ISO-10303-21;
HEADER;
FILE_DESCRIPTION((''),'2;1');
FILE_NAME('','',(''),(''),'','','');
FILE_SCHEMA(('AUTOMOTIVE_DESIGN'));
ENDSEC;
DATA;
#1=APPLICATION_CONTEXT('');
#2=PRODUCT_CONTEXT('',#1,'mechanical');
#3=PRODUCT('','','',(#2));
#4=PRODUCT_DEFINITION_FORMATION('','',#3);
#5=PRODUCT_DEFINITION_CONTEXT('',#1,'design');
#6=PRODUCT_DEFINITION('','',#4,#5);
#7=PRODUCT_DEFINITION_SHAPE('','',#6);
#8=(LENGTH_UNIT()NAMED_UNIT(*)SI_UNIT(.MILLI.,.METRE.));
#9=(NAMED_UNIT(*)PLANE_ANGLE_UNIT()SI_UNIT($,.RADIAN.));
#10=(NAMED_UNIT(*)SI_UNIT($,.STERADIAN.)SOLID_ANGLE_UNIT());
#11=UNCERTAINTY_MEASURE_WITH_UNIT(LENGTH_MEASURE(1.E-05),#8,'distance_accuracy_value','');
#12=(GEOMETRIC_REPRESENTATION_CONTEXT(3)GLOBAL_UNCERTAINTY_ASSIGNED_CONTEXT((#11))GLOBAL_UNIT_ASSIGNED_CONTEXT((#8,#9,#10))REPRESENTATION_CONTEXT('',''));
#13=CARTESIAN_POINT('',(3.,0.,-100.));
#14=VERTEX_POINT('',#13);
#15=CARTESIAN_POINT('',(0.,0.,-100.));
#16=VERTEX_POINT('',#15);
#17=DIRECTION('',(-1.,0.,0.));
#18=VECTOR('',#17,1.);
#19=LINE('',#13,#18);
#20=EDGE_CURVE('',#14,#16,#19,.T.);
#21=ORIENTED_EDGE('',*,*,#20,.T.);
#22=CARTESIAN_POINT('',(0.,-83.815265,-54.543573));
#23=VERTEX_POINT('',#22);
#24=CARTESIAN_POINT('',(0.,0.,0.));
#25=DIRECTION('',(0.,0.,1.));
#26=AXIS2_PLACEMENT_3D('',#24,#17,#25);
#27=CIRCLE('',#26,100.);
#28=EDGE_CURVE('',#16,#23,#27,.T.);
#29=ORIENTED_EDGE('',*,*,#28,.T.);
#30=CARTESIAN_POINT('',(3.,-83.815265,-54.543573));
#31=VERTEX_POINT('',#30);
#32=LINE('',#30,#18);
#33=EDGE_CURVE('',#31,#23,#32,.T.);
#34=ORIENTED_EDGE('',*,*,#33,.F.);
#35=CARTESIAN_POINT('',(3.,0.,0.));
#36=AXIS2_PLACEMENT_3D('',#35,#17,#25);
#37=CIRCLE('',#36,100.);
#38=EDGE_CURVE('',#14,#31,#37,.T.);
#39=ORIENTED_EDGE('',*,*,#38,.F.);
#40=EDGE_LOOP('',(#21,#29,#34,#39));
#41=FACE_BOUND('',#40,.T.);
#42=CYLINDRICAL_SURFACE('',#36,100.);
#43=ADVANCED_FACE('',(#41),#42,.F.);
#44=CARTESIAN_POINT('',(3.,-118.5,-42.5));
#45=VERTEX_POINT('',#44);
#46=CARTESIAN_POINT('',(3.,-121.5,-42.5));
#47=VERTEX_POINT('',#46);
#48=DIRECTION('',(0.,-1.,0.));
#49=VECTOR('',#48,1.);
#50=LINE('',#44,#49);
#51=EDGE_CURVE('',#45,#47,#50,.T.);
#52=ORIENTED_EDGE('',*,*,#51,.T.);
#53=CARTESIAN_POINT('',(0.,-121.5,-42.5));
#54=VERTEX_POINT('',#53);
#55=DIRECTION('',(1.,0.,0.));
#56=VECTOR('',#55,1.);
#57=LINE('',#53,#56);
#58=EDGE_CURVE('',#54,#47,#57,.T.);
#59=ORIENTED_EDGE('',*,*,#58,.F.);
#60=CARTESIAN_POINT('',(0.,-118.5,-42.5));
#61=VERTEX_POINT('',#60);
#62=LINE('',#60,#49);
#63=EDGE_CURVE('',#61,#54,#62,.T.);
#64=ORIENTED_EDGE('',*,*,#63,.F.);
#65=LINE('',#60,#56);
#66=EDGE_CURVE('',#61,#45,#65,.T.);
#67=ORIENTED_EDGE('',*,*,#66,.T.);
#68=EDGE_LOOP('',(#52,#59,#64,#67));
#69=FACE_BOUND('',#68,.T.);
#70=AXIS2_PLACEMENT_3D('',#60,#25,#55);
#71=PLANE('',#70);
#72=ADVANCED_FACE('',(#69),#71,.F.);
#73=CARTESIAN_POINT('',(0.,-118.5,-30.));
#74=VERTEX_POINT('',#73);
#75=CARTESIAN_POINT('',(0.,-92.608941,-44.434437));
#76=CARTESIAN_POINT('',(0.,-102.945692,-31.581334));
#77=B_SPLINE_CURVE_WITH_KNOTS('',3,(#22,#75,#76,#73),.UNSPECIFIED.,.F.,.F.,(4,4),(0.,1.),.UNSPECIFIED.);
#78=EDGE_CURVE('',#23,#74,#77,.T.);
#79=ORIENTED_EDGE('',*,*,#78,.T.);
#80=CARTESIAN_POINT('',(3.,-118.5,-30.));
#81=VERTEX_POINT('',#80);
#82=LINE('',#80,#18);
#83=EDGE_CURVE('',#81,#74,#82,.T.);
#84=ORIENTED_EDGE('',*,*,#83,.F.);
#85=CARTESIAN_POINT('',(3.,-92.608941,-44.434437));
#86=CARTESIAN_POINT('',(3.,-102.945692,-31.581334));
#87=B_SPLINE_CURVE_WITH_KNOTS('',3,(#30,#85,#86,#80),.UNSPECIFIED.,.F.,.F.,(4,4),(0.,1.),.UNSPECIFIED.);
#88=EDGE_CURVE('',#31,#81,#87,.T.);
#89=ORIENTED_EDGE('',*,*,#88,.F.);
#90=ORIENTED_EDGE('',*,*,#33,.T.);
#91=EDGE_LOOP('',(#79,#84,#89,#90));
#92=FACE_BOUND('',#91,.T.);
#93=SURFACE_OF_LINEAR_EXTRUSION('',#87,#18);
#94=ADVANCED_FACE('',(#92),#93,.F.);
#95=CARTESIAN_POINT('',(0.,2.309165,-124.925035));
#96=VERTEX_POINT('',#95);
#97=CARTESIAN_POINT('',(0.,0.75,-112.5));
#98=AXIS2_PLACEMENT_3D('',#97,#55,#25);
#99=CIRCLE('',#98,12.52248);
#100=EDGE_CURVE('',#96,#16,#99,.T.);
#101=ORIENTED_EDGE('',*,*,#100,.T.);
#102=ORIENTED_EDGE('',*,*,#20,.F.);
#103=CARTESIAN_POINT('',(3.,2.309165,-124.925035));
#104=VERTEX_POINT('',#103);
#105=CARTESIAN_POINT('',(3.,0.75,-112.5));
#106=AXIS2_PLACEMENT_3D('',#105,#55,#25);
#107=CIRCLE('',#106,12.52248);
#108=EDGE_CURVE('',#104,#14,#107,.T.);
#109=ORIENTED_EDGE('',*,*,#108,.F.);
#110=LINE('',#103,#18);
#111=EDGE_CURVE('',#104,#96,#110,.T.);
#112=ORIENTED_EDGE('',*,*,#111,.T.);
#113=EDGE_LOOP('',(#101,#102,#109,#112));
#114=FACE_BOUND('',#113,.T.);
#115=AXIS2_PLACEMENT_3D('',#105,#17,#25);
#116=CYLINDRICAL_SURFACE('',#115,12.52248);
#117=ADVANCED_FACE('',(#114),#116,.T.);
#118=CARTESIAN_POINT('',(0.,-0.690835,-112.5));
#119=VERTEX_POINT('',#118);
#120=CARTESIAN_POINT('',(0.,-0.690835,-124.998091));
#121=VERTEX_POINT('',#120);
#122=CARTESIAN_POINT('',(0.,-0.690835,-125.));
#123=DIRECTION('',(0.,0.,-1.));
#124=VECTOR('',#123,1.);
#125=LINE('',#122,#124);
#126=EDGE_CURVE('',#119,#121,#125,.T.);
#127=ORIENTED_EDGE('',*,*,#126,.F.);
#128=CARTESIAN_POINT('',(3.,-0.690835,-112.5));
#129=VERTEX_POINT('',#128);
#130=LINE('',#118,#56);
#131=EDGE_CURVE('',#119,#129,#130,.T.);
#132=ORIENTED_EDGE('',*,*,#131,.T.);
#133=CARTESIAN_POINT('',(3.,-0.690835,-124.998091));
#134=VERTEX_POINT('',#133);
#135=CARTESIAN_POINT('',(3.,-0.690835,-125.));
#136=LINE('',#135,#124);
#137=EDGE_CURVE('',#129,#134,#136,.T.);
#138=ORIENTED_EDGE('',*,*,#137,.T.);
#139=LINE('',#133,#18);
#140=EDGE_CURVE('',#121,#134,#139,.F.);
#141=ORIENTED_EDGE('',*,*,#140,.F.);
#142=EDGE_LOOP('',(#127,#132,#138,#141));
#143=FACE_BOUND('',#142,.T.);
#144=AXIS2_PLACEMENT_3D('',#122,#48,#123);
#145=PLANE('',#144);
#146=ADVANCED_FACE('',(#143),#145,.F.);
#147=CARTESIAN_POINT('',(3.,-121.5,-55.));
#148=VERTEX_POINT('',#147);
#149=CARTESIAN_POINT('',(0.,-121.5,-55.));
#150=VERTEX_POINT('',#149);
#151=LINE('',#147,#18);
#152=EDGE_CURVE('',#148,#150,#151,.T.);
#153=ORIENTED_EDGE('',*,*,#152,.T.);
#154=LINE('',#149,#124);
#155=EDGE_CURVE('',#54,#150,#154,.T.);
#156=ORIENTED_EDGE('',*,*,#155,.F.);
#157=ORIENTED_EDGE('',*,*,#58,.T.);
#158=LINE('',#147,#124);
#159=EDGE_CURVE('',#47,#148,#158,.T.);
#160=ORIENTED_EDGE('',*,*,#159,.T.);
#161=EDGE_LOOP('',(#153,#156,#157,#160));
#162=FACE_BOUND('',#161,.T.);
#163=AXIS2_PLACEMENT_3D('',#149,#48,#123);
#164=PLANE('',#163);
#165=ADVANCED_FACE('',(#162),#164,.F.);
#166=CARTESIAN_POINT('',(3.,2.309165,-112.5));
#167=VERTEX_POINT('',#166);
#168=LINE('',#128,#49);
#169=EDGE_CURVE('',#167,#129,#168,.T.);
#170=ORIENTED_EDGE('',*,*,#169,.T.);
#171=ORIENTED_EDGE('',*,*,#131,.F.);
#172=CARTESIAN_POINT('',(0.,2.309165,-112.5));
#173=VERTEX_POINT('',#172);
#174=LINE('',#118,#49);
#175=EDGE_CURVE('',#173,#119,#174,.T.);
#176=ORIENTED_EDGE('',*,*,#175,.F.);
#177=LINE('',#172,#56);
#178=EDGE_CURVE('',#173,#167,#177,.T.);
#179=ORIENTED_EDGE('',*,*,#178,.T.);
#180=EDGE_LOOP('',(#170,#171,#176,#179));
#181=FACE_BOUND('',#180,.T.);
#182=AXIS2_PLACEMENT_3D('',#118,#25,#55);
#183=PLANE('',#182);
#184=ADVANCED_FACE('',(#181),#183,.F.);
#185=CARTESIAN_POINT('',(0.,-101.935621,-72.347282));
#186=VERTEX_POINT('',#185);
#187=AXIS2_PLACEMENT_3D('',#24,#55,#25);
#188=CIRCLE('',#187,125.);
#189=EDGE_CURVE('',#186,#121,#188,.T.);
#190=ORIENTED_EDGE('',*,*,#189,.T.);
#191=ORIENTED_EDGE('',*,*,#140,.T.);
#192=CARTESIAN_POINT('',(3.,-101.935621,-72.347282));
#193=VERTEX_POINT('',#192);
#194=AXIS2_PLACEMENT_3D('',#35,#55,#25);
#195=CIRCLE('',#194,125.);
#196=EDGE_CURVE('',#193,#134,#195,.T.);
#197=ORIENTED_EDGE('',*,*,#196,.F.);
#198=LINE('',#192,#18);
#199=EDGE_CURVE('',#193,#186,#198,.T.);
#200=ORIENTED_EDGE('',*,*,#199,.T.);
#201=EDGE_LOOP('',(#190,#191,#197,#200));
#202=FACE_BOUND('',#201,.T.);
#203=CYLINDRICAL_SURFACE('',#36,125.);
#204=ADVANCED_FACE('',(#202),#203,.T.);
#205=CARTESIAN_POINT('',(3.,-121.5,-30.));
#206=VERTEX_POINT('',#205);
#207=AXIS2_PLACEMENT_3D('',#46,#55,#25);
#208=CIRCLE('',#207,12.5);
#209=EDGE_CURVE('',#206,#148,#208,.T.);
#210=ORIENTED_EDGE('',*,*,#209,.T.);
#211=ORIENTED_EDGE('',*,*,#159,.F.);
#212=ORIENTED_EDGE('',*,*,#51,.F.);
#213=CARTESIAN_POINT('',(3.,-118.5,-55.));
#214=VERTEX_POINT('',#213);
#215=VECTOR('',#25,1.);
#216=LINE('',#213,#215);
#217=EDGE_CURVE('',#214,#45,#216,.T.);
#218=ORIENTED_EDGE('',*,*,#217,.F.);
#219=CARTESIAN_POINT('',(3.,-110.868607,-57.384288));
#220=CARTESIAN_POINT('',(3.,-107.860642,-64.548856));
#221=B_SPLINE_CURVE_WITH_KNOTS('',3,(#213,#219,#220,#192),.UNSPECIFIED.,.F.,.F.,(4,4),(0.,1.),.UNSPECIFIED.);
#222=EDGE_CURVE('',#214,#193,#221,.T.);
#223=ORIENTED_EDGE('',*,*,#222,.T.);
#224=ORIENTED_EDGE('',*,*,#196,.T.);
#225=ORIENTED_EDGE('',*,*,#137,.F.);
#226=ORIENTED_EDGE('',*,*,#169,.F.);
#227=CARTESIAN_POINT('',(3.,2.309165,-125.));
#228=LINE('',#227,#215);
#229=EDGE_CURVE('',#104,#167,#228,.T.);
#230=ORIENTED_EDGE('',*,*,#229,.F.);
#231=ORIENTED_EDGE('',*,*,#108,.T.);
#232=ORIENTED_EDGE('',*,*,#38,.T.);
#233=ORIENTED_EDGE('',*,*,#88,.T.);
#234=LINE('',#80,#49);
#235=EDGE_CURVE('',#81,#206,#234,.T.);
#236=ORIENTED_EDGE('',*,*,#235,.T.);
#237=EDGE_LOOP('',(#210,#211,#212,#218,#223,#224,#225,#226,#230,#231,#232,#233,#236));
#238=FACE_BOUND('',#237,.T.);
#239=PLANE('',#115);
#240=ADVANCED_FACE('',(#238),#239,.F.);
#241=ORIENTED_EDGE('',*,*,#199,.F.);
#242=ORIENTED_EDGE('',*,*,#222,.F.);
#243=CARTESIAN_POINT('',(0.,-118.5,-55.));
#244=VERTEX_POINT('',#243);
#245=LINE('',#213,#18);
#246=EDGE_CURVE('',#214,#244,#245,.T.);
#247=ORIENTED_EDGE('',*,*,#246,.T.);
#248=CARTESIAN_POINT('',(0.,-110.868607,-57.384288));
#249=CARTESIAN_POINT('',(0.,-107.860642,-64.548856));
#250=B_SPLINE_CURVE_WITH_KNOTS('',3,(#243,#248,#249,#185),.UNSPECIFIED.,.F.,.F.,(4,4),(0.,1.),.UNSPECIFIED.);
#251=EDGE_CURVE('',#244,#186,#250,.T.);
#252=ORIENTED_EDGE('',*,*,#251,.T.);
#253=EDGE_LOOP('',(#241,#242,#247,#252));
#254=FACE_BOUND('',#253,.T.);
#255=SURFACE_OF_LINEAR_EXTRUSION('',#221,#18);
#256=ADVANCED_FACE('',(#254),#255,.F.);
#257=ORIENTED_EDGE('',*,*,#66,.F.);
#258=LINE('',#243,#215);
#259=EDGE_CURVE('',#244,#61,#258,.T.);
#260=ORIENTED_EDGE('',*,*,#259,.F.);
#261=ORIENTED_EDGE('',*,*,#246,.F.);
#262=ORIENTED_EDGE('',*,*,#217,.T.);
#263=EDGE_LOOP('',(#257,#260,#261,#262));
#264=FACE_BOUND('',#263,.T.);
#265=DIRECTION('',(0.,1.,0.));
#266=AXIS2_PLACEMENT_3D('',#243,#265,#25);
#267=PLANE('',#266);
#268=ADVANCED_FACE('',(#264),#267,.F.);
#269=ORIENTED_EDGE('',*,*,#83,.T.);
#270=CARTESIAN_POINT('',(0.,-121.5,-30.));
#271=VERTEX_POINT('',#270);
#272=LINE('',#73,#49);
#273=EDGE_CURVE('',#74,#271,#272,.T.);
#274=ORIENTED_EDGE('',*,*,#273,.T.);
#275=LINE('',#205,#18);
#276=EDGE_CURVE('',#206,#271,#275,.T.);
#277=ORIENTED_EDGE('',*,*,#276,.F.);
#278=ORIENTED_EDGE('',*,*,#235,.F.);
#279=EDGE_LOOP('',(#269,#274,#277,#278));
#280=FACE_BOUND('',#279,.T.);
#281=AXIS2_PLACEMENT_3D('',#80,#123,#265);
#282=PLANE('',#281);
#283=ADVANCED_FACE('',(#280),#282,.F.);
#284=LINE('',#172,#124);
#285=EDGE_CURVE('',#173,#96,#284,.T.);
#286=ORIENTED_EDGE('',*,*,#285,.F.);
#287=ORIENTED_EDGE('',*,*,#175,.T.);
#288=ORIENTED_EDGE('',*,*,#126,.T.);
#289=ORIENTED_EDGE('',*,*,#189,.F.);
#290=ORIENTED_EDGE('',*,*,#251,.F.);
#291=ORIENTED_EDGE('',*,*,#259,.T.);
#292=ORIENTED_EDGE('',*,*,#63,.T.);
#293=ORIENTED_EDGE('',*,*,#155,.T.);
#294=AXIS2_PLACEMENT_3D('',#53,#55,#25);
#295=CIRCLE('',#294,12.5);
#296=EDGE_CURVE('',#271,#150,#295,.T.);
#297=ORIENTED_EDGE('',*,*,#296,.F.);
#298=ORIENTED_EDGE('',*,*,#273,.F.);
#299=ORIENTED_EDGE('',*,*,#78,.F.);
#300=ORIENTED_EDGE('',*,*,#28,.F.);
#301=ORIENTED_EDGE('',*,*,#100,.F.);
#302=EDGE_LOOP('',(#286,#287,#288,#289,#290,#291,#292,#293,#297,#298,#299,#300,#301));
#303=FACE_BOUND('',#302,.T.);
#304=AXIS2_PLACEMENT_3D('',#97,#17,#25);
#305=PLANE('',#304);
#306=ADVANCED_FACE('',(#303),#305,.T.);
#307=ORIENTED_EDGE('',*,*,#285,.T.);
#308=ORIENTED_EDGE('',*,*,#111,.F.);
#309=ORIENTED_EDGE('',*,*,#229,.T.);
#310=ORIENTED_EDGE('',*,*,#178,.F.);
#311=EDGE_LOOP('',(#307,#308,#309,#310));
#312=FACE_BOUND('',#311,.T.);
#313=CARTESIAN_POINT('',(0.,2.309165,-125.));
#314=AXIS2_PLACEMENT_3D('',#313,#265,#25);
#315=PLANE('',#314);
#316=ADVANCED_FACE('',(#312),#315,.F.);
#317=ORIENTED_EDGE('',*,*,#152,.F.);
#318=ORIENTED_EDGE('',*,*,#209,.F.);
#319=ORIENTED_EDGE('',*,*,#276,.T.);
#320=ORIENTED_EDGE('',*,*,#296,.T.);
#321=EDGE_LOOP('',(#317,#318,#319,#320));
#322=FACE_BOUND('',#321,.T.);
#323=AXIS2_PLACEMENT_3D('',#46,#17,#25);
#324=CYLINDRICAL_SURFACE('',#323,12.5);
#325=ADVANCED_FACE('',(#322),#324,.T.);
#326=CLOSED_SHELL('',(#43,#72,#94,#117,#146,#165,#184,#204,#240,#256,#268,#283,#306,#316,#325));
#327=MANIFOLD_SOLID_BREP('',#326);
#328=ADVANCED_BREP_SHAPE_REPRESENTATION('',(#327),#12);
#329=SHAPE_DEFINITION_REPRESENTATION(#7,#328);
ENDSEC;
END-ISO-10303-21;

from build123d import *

# Parameters (mm, degrees)
BOSS_EXTRUDE2_DEPTH = 3
SKETCH2_W           = 12.5
SKETCH2_H           = 3
CUT_EXTRUDE1_DEPTH  = 3


with BuildPart() as part:
    # Sketch1 → Boss-Extrude2 (new body)
    with BuildSketch(Plane(origin=(0, 0, 0), x_dir=(0, 0, -1), z_dir=(1, 0, 0))):
        with BuildLine():
            Line((125, 0), (125, 1.5))
            ThreePointArc((125, 1.5), (111.75, 13.25), (100, 0))
            ThreePointArc((100, 0), (87.904372108, -47.674116292), (54.543572715, -83.81526517))
            add(Edge.make_bspline(
                [(54.543572715, -83.81526517), (44.434436781, -92.608940988), (31.581333534, -102.945692353), (30, -118.5)],
                knots=[0, 0, 0, 0, 1, 1, 1, 1], degree=3))
            Line((30, -118.5), (30, -121.5))
            ThreePointArc((30, -121.5), (42.5, -134), (55, -121.5))
            Line((55, -121.5), (55, -118.5))
            add(Edge.make_bspline(
                [(55, -118.5), (57.384287812, -110.868607185), (64.548856078, -107.860641761), (72.347282186, -101.935620665)],
                knots=[0, 0, 0, 0, 1, 1, 1, 1], degree=3))
            ThreePointArc((72.347282186, -101.935620665), (111.059466668, -57.365450084), (125, 0))
        make_face()
    extrude(amount=BOSS_EXTRUDE2_DEPTH)

    # Sketch2 → Cut-Extrude1 (cut)
    with BuildSketch(Plane(origin=(3, 0, 0), x_dir=(0, 0, -1), z_dir=(1, 0, 0))):
        with Locations((118.75, 0.8091646)):
            Rectangle(SKETCH2_W, SKETCH2_H)
        with Locations((48.75, -120)):
            Rectangle(SKETCH2_W, SKETCH2_H)
    extrude(amount=-CUT_EXTRUDE1_DEPTH, mode=Mode.SUBTRACT)


solid = part.part
